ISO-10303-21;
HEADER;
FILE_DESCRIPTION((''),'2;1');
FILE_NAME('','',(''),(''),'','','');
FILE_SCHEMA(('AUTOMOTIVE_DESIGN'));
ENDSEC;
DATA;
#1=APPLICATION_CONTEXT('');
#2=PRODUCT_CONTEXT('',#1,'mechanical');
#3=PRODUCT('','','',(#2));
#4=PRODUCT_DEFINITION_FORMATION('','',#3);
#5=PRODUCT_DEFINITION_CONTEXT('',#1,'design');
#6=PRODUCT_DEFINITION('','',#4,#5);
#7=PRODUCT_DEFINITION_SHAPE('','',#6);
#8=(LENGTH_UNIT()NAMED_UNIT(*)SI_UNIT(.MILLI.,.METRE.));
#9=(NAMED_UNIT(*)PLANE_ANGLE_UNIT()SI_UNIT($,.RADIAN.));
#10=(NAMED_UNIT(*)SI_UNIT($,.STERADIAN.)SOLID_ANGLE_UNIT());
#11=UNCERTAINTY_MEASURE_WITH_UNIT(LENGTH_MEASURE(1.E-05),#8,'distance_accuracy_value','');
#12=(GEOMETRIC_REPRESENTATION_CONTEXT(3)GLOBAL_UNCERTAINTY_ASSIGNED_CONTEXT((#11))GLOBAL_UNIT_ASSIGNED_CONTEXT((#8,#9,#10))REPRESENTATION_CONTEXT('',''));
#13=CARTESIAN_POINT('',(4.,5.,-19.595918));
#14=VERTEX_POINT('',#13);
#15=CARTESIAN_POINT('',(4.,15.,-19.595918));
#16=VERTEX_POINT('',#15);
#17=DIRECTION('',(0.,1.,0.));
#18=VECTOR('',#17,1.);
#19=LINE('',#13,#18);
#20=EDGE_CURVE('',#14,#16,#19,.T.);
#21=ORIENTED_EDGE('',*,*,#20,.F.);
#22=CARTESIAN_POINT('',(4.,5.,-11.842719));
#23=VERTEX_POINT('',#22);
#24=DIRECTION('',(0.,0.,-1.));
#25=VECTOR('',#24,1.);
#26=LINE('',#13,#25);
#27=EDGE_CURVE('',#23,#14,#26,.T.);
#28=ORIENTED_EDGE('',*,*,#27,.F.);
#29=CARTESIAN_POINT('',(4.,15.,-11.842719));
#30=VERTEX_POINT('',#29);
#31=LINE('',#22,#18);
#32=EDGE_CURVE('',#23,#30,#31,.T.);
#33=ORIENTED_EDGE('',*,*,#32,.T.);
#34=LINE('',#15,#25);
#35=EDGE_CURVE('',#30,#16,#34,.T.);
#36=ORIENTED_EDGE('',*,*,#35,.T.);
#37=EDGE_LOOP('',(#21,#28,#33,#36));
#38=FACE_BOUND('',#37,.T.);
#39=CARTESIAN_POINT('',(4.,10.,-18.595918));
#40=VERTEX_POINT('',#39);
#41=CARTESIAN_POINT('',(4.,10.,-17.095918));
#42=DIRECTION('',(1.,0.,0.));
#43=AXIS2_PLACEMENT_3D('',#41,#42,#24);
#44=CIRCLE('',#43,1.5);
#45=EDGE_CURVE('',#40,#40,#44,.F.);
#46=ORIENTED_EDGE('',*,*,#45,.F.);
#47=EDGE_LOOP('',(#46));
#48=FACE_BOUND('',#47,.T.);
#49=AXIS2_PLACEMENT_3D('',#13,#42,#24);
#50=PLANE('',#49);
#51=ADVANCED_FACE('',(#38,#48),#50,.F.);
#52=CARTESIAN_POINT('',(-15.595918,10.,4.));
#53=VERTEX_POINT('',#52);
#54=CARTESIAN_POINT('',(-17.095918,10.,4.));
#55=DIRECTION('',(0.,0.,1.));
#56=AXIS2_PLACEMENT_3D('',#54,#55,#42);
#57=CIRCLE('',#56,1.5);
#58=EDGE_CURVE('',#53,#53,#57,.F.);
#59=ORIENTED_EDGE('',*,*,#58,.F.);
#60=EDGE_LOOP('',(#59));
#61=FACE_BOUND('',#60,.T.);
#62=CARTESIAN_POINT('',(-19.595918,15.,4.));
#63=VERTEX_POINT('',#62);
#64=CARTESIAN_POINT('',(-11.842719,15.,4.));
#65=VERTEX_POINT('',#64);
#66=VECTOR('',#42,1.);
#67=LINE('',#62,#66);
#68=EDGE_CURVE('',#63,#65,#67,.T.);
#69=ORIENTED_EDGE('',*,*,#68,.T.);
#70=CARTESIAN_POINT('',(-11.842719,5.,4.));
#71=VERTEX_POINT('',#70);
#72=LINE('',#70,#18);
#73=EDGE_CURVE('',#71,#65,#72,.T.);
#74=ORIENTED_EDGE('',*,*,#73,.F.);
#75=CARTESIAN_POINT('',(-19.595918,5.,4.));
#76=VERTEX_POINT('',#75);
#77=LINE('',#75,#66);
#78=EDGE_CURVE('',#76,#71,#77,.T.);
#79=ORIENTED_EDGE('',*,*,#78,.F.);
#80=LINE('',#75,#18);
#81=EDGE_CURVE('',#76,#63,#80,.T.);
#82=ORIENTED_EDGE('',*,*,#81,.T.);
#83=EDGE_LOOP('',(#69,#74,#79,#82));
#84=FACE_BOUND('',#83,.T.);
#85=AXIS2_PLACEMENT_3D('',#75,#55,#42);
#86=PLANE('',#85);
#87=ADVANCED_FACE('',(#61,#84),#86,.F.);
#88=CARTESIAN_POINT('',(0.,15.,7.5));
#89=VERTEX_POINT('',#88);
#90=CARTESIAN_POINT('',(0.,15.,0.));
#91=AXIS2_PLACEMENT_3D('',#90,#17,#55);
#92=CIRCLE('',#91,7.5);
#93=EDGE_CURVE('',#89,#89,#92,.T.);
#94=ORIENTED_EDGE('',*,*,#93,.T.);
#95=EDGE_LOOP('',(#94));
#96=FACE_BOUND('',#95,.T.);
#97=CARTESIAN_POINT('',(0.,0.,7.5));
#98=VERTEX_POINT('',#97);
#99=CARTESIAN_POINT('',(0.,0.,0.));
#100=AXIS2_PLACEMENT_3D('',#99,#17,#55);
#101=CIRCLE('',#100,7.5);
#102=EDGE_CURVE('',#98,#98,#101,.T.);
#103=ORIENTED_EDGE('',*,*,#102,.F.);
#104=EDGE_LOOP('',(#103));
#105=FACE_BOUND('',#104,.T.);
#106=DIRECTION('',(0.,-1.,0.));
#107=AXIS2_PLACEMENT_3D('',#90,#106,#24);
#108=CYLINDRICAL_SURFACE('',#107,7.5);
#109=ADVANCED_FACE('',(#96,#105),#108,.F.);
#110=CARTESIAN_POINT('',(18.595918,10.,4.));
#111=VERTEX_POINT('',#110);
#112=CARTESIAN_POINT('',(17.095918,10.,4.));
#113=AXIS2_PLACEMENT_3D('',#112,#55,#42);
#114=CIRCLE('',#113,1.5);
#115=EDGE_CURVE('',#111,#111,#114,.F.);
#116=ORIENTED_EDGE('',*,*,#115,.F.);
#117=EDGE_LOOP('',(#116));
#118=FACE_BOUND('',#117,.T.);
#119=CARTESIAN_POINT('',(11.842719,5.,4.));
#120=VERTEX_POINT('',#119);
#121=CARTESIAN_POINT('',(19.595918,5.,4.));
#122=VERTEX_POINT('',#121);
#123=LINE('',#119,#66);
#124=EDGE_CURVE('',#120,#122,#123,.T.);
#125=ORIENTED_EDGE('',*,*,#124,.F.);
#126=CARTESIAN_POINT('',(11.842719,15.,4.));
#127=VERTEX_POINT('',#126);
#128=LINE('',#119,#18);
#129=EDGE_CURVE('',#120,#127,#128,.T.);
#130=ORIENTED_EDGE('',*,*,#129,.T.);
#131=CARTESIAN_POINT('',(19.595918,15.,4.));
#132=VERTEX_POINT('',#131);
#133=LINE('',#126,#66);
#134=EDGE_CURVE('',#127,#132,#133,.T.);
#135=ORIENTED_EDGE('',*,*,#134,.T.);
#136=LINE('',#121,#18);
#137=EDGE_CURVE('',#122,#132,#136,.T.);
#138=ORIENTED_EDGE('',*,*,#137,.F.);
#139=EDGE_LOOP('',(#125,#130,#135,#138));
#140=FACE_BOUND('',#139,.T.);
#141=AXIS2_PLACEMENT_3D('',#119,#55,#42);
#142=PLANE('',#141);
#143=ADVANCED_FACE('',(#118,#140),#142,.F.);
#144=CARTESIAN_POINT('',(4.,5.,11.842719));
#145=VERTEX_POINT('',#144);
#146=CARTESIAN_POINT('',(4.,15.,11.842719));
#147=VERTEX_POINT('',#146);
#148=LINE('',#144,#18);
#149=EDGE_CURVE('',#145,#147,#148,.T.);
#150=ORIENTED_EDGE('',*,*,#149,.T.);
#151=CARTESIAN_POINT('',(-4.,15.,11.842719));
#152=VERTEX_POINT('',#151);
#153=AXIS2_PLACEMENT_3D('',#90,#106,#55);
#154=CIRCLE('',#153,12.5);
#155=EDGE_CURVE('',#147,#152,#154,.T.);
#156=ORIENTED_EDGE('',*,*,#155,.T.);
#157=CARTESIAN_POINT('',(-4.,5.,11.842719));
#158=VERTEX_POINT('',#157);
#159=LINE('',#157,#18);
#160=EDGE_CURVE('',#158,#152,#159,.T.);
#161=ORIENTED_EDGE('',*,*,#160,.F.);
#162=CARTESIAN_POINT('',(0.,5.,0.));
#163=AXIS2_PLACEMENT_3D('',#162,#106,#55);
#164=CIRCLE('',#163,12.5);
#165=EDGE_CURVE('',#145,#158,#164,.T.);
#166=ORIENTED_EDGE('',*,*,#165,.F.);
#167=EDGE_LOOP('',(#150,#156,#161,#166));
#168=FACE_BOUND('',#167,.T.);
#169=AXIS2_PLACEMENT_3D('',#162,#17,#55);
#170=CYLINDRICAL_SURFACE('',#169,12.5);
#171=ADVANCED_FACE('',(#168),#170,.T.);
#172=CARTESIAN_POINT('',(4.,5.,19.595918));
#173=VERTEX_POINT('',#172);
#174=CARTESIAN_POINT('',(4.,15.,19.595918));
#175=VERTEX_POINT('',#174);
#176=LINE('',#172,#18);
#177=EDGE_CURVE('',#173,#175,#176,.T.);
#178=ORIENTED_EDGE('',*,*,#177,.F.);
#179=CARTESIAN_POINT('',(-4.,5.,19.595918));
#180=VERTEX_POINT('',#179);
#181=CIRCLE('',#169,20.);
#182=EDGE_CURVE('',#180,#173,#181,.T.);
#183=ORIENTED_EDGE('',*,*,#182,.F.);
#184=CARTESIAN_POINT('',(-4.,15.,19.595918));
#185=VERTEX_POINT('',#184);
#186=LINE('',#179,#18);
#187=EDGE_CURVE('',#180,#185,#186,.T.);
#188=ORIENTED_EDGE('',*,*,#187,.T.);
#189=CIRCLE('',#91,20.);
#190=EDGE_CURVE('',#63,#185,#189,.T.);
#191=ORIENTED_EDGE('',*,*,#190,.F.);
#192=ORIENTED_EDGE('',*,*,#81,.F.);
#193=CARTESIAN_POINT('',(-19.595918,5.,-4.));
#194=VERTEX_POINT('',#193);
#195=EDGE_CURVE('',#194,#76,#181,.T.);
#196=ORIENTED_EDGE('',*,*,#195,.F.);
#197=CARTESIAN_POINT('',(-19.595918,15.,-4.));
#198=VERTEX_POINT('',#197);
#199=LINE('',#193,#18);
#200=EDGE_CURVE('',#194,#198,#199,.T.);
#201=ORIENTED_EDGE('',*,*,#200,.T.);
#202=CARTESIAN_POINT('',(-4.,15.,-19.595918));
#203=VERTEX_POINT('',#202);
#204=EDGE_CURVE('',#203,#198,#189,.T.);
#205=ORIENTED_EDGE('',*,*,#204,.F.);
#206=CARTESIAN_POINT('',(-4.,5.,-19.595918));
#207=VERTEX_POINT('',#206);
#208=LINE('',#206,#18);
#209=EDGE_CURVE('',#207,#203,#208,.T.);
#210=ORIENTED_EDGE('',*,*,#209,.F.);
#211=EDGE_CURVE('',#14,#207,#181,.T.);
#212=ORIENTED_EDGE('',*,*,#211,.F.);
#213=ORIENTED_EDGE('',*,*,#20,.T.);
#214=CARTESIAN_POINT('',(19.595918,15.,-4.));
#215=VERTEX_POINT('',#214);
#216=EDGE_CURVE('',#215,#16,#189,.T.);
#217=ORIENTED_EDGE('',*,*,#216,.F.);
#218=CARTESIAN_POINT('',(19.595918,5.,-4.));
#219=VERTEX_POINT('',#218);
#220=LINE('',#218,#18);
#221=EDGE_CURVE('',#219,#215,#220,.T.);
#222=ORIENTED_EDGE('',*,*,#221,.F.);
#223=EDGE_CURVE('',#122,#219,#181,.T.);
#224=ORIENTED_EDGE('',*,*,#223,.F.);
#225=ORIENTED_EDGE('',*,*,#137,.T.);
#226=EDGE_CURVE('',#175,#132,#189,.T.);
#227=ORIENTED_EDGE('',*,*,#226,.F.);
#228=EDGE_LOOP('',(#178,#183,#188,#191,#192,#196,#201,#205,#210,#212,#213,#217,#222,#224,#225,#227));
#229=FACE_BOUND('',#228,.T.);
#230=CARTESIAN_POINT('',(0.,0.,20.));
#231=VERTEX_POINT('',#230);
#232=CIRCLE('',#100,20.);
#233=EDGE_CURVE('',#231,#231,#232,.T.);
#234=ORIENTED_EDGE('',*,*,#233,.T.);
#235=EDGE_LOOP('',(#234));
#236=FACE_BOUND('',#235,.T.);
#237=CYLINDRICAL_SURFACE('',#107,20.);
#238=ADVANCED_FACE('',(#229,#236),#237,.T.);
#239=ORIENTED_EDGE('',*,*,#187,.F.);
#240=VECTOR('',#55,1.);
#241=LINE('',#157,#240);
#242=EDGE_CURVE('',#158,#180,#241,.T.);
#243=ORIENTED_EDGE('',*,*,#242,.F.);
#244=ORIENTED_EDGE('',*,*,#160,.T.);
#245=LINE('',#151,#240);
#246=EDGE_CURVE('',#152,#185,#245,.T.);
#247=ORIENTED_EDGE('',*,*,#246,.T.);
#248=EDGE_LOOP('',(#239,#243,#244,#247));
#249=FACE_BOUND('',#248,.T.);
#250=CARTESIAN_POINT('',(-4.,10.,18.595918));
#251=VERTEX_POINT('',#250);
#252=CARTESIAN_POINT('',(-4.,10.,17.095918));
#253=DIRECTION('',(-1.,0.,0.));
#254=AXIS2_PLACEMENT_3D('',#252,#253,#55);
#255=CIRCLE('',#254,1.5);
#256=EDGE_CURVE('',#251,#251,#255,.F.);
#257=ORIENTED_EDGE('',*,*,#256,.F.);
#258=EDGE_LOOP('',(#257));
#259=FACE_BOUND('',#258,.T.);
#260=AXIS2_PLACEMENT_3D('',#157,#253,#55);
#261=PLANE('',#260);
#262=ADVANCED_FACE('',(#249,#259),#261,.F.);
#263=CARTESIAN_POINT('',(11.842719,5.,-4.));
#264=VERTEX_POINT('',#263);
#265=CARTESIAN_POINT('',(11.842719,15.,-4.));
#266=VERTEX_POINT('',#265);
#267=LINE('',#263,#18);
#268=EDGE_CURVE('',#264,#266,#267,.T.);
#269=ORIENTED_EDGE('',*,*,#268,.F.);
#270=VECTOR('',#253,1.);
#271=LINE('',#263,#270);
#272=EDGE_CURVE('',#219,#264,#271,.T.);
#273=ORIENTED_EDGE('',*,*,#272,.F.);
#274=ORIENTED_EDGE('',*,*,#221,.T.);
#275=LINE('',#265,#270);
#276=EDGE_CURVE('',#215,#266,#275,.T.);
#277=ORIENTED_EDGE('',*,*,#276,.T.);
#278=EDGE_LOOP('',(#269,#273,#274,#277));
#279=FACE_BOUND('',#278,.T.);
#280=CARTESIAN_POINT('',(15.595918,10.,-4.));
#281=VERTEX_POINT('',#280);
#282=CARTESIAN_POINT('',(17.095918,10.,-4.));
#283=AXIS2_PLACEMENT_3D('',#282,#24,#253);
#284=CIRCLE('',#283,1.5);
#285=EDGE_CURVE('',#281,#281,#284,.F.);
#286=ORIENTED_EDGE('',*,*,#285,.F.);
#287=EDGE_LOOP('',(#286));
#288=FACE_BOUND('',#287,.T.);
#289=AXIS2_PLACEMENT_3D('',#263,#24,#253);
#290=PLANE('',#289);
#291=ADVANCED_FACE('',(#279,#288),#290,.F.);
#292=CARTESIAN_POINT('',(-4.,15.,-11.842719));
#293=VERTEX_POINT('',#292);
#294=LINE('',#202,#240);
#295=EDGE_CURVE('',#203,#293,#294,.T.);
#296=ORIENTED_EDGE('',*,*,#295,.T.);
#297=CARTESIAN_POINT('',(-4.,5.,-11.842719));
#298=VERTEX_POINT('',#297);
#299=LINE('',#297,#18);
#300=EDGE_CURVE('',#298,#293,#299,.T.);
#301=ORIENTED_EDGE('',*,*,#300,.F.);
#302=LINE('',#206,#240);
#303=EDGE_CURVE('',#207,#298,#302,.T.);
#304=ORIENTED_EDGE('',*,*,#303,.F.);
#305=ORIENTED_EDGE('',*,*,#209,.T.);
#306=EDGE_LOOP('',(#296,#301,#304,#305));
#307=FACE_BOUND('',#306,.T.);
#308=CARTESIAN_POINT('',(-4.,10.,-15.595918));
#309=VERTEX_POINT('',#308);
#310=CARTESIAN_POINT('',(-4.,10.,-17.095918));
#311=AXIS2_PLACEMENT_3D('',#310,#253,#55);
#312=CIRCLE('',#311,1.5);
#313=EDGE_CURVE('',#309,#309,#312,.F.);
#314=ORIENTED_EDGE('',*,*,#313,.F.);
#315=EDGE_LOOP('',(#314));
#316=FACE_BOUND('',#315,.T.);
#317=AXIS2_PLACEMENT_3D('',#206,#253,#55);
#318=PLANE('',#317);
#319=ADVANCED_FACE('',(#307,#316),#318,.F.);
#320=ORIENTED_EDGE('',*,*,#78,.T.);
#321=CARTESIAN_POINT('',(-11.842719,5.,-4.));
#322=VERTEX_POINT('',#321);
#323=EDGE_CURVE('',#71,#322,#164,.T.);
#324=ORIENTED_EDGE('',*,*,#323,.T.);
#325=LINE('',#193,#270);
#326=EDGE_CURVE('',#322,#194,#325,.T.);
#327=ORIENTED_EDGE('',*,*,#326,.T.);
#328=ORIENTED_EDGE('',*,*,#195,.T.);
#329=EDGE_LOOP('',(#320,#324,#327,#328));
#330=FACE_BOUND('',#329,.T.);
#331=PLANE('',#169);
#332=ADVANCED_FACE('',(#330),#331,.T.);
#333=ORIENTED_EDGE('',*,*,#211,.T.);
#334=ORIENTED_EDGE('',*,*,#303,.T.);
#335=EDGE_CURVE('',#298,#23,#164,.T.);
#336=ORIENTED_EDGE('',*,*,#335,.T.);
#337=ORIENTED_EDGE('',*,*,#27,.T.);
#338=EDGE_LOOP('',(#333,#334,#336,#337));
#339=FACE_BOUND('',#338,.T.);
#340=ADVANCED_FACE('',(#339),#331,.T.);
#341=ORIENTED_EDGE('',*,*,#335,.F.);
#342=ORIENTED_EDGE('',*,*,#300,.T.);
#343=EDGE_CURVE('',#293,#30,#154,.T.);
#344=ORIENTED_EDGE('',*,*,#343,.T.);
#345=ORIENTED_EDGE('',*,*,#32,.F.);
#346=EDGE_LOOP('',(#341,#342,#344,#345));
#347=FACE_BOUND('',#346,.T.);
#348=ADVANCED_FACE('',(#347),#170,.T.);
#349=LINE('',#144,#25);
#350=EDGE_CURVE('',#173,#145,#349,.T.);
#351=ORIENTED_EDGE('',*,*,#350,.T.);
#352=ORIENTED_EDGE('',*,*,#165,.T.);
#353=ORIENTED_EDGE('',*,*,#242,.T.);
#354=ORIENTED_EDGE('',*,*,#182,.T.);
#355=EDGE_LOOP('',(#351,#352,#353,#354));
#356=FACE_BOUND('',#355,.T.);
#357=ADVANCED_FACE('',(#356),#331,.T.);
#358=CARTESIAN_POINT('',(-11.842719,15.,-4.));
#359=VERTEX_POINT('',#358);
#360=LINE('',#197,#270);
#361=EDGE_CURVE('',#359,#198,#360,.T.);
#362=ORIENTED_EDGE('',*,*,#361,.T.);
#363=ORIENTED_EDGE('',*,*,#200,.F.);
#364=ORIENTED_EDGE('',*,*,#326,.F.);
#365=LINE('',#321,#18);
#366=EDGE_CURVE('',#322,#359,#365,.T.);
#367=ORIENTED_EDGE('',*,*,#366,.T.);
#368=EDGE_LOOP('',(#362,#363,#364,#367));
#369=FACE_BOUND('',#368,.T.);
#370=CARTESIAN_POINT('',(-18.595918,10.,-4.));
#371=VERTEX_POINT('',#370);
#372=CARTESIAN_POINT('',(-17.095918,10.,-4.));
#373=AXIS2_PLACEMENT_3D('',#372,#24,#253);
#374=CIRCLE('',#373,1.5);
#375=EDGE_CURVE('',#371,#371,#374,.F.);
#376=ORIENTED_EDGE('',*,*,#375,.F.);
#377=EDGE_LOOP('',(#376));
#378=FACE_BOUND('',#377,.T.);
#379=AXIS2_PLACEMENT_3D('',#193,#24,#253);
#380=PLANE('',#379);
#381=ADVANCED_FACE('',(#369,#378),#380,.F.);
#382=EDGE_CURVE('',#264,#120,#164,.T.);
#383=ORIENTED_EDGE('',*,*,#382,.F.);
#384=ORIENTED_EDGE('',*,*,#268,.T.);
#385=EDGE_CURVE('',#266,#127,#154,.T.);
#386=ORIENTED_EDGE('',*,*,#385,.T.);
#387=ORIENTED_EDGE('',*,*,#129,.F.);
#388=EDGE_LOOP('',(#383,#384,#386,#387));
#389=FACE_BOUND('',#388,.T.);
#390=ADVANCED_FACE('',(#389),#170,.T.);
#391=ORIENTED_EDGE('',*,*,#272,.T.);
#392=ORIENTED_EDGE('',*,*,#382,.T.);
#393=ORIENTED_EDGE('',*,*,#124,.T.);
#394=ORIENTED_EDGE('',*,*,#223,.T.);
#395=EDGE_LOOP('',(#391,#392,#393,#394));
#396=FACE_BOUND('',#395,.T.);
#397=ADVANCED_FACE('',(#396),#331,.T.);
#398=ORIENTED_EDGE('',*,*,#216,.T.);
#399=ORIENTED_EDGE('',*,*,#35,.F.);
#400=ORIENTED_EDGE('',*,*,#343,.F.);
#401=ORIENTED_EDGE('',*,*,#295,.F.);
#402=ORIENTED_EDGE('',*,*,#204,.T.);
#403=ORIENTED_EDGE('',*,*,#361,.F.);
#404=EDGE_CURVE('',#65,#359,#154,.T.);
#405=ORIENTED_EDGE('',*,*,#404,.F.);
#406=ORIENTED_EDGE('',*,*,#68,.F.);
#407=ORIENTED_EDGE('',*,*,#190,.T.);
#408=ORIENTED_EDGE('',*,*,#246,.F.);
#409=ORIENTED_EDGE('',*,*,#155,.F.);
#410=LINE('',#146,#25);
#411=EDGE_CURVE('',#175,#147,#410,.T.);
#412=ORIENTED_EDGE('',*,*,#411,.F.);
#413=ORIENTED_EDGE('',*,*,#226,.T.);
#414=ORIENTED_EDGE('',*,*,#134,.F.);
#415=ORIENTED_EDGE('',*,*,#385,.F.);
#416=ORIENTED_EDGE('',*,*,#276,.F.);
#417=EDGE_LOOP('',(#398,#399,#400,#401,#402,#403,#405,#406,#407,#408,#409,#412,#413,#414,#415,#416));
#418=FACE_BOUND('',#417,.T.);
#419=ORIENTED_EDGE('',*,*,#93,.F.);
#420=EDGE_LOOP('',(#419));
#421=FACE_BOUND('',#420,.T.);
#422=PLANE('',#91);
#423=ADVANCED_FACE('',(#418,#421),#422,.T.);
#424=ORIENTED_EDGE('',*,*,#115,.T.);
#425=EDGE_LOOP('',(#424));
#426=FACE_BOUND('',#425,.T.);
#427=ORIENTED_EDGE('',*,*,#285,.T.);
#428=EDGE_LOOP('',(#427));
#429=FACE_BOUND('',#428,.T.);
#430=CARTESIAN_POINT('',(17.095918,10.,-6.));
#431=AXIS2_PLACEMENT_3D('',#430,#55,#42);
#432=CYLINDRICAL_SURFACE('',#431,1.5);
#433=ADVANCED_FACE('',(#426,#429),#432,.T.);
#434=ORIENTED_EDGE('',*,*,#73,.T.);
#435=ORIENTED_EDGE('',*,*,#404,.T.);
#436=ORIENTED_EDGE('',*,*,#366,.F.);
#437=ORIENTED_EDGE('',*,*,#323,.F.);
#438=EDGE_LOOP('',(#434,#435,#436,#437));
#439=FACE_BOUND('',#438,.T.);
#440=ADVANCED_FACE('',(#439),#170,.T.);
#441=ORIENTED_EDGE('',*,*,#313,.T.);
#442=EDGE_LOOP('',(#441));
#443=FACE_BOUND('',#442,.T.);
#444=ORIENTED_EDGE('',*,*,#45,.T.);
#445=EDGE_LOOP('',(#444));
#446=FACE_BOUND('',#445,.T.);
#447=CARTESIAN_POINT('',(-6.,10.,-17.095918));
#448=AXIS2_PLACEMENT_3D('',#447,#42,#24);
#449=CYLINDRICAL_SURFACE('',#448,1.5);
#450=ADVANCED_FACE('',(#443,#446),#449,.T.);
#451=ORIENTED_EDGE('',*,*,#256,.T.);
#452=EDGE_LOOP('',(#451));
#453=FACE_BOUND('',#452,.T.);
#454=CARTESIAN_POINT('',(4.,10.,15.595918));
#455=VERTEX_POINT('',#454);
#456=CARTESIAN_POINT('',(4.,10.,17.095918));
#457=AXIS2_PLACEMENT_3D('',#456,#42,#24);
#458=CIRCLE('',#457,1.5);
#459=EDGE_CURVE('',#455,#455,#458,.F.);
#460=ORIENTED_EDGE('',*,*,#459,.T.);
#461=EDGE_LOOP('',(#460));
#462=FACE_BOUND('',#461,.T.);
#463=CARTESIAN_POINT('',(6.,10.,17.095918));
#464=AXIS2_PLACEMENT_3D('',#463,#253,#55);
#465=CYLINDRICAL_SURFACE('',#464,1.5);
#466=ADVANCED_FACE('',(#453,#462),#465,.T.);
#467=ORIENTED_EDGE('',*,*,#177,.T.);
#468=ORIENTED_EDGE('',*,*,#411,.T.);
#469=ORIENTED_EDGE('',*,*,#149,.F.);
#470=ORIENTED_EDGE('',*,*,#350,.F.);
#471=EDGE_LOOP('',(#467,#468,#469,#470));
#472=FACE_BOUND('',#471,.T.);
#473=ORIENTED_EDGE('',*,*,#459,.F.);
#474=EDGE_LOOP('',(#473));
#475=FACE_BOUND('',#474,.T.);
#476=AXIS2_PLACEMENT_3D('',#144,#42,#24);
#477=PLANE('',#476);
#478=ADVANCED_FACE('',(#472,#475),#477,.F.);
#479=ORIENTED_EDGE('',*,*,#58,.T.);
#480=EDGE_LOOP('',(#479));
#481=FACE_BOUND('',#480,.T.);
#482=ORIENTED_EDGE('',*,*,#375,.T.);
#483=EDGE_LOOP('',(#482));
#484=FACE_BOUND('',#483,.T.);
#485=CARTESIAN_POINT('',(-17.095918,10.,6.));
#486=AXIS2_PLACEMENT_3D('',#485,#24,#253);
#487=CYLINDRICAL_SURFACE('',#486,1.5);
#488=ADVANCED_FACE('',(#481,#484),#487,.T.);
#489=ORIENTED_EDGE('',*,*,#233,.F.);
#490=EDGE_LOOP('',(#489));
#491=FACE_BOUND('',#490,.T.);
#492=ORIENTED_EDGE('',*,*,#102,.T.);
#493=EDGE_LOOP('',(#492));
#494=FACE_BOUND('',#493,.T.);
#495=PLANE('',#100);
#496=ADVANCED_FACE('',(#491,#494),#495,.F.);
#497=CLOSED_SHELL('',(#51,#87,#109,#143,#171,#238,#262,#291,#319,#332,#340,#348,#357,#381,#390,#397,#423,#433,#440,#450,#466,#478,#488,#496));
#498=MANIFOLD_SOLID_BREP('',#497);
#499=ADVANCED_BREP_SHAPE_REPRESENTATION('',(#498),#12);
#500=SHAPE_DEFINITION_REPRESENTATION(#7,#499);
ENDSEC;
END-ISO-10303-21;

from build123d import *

# Parameters (mm, degrees)
SKETCH1_R           = 20
SKETCH1_R_2         = 7.5
BOSS_EXTRUDE1_DEPTH = 15
CUT_EXTRUDE1_START  = -10
CUT_EXTRUDE1_DEPTH  = 10
SKETCH4_R           = 1.5
BOSS_EXTRUDE2_DEPTH = 10
CIRPATTERN1_COUNT   = 4


with BuildPart() as part:
    # Sketch1 → Boss-Extrude1 (new body)
    with BuildSketch(Plane(origin=(0, 0, 0), x_dir=(1, 0, 0), z_dir=(0, 1, 0))):
        with Locations(Location((0, 0, 0), (0, 0, 270))):
            Circle(SKETCH1_R)
        with Locations(Location((0, 0, 0), (0, 0, 270))):
            Circle(SKETCH1_R_2, mode=Mode.SUBTRACT)
    extrude(amount=BOSS_EXTRUDE1_DEPTH)

    # Sketch2 → Cut-Extrude1 (cut)
    with BuildSketch(Plane(origin=(0, 15, 0), x_dir=(1, 0, 0), z_dir=(0, 1, 0)).offset(CUT_EXTRUDE1_START)):
        with BuildLine():
            Line((-19.595917942, -4), (-11.842719282, -4))
            ThreePointArc((-11.842719282, -4), (-12.5, 0), (-11.842719282, 4))
            Line((-11.842719282, 4), (-19.595917942, 4))
            ThreePointArc((-19.595917942, 4), (-20, 0), (-19.595917942, -4))
        make_face()
        with BuildLine():
            Line((-4, 19.595917942), (-4, 11.842719282))
            ThreePointArc((-4, 11.842719282), (0, 12.5), (4, 11.842719282))
            Line((4, 11.842719282), (4, 19.595917942))
            ThreePointArc((4, 19.595917942), (0, 20), (-4, 19.595917942))
        make_face()
        with BuildLine():
            Line((11.842719282, 4), (19.595917942, 4))
            ThreePointArc((19.595917942, 4), (20, 0), (19.595917942, -4))
            Line((19.595917942, -4), (11.842719282, -4))
            ThreePointArc((11.842719282, -4), (12.5, 0), (11.842719282, 4))
        make_face()
        with BuildLine():
            Line((4, -11.842719282), (4, -19.595917942))
            ThreePointArc((4, -19.595917942), (0, -20), (-4, -19.595917942))
            Line((-4, -19.595917942), (-4, -11.842719282))
            ThreePointArc((-4, -11.842719282), (0, -12.5), (4, -11.842719282))
        make_face()
    extrude(amount=CUT_EXTRUDE1_DEPTH, mode=Mode.SUBTRACT)

    # Sketch4 → Boss-Extrude2 (add)
    with BuildSketch(Plane(origin=(0, 0, 4), x_dir=(-1, 0, 0), z_dir=(0, 0, -1))):
        with Locations(Location((-17.095917942, 10, 0), (0, 0, 180))):
            Circle(SKETCH4_R)
    boss_extrude2 = extrude(amount=BOSS_EXTRUDE2_DEPTH)

    # CirPattern1: Boss-Extrude2 ×4 about axis
    cirpattern1_axis = Axis((0, 15, 0), (0, -1, 0))
    for i in range(1, CIRPATTERN1_COUNT):
        add(boss_extrude2.rotate(cirpattern1_axis, i * 360 / CIRPATTERN1_COUNT))


solid = part.part
